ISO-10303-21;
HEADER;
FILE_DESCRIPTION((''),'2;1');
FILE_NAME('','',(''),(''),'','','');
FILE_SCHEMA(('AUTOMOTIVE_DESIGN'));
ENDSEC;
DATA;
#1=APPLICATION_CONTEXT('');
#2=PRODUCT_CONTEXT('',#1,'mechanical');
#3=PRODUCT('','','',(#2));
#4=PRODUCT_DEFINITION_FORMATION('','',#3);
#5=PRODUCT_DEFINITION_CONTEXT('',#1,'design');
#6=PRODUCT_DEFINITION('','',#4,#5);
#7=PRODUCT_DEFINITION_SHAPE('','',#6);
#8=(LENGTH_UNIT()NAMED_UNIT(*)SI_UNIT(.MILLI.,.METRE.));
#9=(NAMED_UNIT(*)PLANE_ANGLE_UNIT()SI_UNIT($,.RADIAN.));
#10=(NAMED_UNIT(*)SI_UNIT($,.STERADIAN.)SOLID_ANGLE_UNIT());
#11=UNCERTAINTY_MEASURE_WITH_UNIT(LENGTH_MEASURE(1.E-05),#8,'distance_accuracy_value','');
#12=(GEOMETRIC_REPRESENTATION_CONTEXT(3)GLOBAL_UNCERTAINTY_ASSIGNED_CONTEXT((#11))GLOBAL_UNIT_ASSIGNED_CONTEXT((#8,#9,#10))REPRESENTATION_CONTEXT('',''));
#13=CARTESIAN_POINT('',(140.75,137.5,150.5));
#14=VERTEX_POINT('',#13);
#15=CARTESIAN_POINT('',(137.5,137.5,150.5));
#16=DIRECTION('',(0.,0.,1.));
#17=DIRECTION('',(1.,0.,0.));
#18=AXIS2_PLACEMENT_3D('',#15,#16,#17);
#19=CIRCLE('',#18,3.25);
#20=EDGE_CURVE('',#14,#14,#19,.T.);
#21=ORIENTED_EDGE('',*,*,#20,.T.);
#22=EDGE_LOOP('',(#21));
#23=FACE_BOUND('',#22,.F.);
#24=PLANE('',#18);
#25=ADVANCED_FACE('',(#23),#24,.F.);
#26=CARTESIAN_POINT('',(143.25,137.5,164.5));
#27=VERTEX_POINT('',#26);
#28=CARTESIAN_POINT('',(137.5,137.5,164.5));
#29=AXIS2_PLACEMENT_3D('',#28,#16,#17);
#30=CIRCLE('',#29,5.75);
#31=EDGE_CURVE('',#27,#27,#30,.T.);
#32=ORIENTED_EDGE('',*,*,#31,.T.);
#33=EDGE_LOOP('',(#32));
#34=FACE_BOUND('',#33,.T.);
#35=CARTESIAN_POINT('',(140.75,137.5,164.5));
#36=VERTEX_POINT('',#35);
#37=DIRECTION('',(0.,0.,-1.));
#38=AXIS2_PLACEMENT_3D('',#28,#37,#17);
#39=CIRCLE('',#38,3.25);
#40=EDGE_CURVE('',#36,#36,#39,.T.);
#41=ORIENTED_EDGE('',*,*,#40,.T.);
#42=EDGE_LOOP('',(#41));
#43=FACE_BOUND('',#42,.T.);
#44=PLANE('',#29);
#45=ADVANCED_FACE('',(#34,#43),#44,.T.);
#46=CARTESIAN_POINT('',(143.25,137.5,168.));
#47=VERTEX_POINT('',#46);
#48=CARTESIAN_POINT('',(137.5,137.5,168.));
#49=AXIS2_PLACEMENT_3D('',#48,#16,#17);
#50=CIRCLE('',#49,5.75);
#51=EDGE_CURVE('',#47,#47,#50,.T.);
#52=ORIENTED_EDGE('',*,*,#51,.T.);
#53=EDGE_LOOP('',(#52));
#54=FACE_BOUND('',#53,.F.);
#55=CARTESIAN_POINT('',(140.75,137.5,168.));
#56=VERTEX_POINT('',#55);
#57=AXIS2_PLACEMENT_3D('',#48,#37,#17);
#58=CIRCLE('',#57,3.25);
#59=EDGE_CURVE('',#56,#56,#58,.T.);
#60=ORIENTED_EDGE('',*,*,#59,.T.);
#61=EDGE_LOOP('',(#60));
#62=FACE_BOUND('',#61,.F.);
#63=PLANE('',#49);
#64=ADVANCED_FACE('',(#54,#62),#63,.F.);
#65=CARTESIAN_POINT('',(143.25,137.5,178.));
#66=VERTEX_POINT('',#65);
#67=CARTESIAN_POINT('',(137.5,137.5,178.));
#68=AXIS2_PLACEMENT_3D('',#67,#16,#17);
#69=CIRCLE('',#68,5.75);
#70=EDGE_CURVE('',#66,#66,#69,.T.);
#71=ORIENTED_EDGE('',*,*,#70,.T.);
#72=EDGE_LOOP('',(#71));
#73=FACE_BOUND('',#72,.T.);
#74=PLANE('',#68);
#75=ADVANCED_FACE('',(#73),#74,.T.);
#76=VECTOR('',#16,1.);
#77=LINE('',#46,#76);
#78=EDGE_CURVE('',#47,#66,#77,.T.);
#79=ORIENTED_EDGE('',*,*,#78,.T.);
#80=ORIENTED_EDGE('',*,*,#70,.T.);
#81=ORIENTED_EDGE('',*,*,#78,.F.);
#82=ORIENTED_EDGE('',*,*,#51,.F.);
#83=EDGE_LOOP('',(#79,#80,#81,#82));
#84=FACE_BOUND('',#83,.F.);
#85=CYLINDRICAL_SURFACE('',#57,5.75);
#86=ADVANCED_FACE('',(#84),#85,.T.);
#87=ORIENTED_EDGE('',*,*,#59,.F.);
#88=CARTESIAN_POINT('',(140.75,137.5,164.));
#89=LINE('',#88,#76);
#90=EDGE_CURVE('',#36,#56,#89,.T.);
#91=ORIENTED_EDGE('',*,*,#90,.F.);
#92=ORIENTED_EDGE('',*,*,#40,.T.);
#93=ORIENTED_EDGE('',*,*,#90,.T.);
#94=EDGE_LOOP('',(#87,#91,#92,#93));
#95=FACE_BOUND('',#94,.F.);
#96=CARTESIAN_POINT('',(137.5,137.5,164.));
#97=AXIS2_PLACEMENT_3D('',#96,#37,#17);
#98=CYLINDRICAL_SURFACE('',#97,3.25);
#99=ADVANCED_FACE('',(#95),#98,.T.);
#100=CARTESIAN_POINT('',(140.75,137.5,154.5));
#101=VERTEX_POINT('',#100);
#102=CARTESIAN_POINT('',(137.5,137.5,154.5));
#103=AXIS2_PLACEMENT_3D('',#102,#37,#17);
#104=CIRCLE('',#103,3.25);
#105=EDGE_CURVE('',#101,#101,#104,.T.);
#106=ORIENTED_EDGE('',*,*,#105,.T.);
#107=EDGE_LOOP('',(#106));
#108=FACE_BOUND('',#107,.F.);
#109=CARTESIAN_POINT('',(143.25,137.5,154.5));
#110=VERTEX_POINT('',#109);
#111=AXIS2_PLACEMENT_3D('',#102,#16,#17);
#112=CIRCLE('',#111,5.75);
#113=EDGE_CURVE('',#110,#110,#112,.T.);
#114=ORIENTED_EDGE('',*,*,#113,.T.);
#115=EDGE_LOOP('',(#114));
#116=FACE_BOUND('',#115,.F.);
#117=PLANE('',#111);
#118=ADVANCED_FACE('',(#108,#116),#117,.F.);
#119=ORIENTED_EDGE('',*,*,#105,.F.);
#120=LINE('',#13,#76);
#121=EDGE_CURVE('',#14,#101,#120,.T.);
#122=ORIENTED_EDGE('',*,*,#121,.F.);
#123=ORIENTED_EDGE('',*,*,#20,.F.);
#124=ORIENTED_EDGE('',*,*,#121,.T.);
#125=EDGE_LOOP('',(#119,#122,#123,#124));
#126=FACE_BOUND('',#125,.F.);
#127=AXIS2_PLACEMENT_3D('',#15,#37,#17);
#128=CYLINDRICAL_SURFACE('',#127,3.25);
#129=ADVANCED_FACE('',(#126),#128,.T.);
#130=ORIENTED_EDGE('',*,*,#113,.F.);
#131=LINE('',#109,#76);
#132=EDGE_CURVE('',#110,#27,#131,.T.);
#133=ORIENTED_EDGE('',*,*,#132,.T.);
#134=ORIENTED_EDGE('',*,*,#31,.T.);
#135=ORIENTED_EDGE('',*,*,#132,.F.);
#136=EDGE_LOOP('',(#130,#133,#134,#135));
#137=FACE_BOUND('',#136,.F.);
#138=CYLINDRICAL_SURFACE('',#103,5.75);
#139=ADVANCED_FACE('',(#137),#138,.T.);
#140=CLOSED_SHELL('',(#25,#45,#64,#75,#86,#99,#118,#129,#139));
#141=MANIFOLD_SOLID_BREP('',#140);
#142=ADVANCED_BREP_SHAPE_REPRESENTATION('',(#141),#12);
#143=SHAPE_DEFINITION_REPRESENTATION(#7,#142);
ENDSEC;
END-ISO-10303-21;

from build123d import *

# Parameters (mm, degrees)
CYLINDER037_R     = 5.75
CYLINDER037_DEPTH = 10
CYLINDER036_R     = 3.25
CYLINDER036_DEPTH = 10
CYLINDER035_R     = 5.75
CYLINDER035_DEPTH = 10
CYLINDER034_R     = 3.25
CYLINDER034_DEPTH = 10


with BuildPart() as antennain009:
    # Cylinder037 → Cylinder037 (new body)
    with BuildSketch(Plane(origin=(-23, 0, 69), x_dir=(1, 0, 0), z_dir=(0, 0, 1))):
        Circle(CYLINDER037_R)
    extrude(amount=CYLINDER037_DEPTH)


with BuildPart() as fusion012:
    # Cylinder036 → Cylinder036 (new body)
    with BuildSketch(Plane(origin=(-23, 0, 65), x_dir=(1, 0, 0), z_dir=(0, 0, 1))):
        Circle(CYLINDER036_R)
    extrude(amount=CYLINDER036_DEPTH)

    # Fusion012: union antennaIn009
    add(antennain009.part)


with BuildPart() as fusion012_1:
    # Fusion012 placement: moved
    add(fusion012.part.moved(Location((2.5, -25, -19.5))))


with BuildPart() as antennain007:
    # Cylinder035 → Cylinder035 (new body)
    with BuildSketch(Plane(origin=(-23, 0, 69), x_dir=(1, 0, 0), z_dir=(0, 0, 1))):
        Circle(CYLINDER035_R)
    extrude(amount=CYLINDER035_DEPTH)


with BuildPart() as antennacuts001:
    # Cylinder034 → Cylinder034 (new body)
    with BuildSketch(Plane(origin=(-23, 0, 65), x_dir=(1, 0, 0), z_dir=(0, 0, 1))):
        Circle(CYLINDER034_R)
    extrude(amount=CYLINDER034_DEPTH)

    # Fusion011: union antennaIn007
    add(antennain007.part)


with BuildPart() as antennacuts001_1:
    # Fusion011 placement: moved
    add(antennacuts001.part.moved(Location((2.5, -25, -6))))

    # Fusion013: union Fusion012
    add(fusion012_1.part)


with BuildPart() as antennacuts001_2:
    # Fusion013 placement: moved
    add(antennacuts001_1.part.moved(Location((158, 162.5, 105))))


solid = antennacuts001_2.part
